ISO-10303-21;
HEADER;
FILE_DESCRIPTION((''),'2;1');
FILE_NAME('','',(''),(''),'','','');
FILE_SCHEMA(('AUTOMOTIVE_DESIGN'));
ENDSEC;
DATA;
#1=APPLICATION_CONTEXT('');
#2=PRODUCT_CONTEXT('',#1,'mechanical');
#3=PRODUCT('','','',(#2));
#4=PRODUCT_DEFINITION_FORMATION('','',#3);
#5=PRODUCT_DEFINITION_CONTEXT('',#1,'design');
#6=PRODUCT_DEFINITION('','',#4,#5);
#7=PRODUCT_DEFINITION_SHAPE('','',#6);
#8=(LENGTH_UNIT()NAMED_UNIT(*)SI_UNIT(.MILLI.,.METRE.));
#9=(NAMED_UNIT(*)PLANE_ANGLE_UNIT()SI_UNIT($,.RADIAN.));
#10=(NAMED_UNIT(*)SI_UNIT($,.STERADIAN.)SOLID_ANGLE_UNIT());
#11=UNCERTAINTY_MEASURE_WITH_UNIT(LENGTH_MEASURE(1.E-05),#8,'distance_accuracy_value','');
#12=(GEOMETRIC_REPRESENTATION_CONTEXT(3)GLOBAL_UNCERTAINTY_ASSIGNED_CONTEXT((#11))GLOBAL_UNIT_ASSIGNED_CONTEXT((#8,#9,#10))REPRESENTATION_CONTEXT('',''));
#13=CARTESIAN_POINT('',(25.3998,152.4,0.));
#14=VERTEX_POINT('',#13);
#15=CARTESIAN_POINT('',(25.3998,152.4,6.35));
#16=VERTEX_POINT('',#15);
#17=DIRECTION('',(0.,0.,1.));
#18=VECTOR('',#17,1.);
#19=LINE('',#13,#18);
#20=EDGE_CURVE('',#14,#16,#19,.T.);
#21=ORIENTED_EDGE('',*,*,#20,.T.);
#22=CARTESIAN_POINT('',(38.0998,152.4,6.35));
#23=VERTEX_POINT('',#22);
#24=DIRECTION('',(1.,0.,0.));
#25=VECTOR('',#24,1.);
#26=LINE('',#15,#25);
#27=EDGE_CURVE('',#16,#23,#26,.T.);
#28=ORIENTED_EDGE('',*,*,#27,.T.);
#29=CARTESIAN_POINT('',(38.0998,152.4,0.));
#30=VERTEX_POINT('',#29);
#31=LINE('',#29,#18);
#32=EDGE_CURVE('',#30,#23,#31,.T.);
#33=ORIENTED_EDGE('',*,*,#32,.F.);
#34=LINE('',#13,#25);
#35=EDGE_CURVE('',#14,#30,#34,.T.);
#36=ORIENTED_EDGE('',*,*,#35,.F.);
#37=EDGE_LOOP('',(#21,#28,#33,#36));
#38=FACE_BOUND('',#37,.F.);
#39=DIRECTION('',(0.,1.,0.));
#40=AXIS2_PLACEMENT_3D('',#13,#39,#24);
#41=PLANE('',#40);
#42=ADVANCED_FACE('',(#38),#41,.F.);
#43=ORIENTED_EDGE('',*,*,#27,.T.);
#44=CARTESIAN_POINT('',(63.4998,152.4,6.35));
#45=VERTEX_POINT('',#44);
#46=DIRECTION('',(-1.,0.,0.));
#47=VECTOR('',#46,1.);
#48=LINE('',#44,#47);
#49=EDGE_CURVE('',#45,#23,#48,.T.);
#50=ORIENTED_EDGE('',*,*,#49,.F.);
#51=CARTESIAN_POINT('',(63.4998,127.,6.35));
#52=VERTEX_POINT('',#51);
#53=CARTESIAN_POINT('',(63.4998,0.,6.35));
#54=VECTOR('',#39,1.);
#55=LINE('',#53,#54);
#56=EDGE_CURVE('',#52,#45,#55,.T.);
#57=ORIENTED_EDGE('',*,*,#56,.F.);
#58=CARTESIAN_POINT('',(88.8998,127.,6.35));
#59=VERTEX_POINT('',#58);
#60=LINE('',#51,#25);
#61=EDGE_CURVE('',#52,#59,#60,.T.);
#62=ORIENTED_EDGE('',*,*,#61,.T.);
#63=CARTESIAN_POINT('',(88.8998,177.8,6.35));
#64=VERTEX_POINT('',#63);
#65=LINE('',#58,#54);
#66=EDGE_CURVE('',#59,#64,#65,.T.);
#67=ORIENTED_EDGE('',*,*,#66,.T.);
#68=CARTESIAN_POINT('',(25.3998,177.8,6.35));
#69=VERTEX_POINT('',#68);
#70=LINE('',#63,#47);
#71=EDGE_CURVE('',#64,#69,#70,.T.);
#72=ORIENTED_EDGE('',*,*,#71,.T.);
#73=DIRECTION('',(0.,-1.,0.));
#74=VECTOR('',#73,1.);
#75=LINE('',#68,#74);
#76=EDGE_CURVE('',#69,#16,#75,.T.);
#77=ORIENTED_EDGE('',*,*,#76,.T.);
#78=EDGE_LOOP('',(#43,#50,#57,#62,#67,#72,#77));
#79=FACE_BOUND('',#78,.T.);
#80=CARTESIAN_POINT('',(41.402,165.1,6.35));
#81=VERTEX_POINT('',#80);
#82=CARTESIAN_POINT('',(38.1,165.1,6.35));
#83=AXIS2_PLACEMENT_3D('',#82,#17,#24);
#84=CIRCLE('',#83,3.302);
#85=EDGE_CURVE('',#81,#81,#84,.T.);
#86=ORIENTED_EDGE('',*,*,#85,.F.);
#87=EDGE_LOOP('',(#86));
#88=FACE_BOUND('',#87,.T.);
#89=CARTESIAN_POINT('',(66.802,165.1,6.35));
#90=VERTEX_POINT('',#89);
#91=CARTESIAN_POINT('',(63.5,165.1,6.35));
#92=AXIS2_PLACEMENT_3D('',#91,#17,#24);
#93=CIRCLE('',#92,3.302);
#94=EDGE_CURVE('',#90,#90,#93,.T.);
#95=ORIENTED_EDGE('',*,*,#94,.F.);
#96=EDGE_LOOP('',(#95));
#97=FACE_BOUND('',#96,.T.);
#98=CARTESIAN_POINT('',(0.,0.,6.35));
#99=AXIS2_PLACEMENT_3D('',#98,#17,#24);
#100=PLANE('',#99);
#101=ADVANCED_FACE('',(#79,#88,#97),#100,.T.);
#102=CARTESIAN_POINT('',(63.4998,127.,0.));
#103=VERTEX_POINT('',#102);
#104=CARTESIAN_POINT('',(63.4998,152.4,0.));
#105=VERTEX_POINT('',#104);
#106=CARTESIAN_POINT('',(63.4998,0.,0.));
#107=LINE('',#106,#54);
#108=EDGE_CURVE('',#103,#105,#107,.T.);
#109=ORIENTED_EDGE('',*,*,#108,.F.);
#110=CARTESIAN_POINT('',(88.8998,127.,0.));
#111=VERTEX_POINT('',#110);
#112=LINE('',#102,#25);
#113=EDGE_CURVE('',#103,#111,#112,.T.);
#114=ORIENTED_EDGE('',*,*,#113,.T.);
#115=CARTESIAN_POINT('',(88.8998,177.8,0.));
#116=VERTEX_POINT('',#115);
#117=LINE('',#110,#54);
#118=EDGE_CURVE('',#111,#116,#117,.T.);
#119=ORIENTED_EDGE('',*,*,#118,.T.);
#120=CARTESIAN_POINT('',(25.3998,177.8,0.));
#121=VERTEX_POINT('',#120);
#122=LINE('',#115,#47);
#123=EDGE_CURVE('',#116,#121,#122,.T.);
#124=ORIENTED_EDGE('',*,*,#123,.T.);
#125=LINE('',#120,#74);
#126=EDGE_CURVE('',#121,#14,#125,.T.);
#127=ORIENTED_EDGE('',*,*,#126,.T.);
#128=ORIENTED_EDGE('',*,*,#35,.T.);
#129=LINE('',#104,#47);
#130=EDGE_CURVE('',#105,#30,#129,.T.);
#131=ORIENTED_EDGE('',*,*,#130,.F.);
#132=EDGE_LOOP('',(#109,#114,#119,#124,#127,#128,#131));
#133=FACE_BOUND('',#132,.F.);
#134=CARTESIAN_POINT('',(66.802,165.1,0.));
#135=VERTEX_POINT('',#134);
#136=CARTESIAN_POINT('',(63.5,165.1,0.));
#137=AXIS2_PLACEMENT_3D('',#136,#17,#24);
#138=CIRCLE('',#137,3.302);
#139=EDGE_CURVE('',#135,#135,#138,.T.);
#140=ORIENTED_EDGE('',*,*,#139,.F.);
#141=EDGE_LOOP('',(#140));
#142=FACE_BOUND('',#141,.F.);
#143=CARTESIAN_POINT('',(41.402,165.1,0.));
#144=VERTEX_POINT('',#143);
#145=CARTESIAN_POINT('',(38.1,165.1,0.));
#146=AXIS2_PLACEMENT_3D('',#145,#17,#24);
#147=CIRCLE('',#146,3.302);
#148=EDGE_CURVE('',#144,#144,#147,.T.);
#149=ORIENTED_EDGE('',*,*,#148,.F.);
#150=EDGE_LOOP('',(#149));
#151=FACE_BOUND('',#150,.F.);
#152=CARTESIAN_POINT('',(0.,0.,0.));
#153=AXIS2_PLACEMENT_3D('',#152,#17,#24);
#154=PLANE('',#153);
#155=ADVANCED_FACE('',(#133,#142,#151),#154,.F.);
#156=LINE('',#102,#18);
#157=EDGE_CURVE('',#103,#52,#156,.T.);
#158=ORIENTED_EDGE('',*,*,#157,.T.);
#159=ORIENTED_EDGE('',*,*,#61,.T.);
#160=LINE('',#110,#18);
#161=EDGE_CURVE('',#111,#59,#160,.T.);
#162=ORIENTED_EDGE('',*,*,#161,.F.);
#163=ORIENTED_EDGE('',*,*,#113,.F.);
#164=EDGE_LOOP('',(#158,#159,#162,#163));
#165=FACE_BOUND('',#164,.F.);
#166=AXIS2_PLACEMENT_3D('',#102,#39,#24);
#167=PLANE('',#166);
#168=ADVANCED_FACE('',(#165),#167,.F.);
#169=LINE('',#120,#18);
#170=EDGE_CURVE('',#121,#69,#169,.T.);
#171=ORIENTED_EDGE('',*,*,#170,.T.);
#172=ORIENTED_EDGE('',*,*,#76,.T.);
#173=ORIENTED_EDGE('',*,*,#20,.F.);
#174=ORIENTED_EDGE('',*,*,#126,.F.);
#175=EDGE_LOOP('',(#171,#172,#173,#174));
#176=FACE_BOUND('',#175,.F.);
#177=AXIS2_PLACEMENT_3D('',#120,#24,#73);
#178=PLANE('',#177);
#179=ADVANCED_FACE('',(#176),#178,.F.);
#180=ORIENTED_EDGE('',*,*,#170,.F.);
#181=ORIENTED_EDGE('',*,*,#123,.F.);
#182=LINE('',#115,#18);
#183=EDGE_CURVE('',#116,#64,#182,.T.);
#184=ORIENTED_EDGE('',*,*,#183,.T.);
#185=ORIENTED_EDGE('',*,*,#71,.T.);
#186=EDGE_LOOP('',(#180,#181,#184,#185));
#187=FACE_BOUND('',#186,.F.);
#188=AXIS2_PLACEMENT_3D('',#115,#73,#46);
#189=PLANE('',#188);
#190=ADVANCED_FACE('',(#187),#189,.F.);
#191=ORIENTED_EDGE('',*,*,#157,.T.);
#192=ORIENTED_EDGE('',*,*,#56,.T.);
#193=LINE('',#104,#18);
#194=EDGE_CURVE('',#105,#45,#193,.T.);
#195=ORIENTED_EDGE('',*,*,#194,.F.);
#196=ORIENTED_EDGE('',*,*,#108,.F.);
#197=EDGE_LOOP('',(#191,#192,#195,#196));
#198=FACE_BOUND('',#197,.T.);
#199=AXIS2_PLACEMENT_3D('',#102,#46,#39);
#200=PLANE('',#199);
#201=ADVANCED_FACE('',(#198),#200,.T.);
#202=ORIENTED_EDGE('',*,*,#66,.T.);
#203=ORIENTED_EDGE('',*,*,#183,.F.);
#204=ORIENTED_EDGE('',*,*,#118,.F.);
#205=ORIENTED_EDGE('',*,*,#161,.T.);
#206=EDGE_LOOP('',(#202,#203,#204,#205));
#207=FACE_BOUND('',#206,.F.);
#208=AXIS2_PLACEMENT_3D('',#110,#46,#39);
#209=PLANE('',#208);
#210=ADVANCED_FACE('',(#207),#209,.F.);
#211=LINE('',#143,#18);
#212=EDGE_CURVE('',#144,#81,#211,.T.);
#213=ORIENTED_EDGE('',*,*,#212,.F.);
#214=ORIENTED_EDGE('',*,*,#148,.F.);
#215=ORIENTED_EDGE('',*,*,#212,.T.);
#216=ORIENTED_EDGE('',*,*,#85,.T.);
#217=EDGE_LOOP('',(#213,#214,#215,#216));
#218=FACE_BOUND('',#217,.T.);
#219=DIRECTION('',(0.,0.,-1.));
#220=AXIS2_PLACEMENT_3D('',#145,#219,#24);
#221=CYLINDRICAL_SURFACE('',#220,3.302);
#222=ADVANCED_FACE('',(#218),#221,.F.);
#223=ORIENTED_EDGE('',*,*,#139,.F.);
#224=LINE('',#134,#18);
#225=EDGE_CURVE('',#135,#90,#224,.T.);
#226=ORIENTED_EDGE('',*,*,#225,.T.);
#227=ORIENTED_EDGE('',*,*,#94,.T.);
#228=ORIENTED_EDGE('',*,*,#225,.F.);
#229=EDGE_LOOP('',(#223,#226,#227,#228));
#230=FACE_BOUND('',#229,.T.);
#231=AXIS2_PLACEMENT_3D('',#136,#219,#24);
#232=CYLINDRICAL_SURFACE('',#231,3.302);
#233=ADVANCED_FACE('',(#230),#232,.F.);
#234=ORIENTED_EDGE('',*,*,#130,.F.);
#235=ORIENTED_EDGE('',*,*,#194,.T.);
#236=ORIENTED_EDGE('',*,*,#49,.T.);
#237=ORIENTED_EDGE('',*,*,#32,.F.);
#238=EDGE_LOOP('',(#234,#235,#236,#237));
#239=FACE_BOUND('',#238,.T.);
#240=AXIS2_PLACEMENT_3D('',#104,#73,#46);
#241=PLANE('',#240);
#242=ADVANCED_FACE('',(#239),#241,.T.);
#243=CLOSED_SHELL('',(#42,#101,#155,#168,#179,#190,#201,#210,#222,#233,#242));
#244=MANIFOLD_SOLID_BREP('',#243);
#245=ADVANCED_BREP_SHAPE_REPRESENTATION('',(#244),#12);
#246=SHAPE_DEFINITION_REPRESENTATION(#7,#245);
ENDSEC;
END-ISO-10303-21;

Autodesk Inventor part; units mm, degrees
ref_plane "YZ Plane" through (0, 0, 0) normal (1, 0, 0) x (0, 1, 0)
ref_plane "XZ Plane" through (0, 0, 0) normal (0, 1, 0) x (-1, 0, 0)
ref_plane "XY Plane" through (0, 0, 0) normal (0, 0, 1) x (1, 0, 0)
sketch "Sketch1" plane through (0, 0, 0) normal (0, 0, 1) x (1, 0, 0)
  circle A0 centre (0, 0) radius 5.5 projected
  line L0 (12.6998, 0) -> (-114.3002, 0)
  line L1 (-114.3002, 0) -> (63.4998, 0)
  line L2 (63.4998, 0) -> (63.4998, -152.4)
  line L3 (63.4998, 0) -> (63.4998, 152.4)
  line L4 (63.4998, 152.4) -> (38.0998, 152.4)
  line L5 (63.4998, 152.4) -> (63.4998, 127)
  line L6 (63.4998, 127) -> (88.8998, 127)
  line L7 (88.8998, 127) -> (88.8998, 177.8)
  line L8 (88.8998, 177.8) -> (25.3998, 177.8)
  line L9 (25.3998, 177.8) -> (25.3998, 152.4)
  line L10 (25.3998, 152.4) -> (38.0998, 152.4)
  circle A1 centre (63.5, 165.1) radius 3.5 construction
  circle A2 centre (38.1, 165.1) radius 3.5 construction
  circle A3 centre (63.5, 165.1) radius 3.302
  circle A4 centre (38.1, 165.1) radius 3.302
  point P0 (0, 0)
  dimension "d0" = 127
  dimension "d1" = 177.8
  dimension "d2" = 152.4
  dimension "d3" = 152.4
  dimension "d4" = 25.4
  dimension "d5" = 25.4
  dimension "d6" = 25.4
  dimension "d7" = 50.8
  dimension "d8" = 63.5
  dimension "d11" = 6.604
  dimension "d12" = 6.604
extrude "Extrusion2" add sketch "Sketch1" along normal blind 6.35 contours L3 L4 L10 L9 L8 L7 L6
properties part number "vrRig_v08_breadboardAlignment"
